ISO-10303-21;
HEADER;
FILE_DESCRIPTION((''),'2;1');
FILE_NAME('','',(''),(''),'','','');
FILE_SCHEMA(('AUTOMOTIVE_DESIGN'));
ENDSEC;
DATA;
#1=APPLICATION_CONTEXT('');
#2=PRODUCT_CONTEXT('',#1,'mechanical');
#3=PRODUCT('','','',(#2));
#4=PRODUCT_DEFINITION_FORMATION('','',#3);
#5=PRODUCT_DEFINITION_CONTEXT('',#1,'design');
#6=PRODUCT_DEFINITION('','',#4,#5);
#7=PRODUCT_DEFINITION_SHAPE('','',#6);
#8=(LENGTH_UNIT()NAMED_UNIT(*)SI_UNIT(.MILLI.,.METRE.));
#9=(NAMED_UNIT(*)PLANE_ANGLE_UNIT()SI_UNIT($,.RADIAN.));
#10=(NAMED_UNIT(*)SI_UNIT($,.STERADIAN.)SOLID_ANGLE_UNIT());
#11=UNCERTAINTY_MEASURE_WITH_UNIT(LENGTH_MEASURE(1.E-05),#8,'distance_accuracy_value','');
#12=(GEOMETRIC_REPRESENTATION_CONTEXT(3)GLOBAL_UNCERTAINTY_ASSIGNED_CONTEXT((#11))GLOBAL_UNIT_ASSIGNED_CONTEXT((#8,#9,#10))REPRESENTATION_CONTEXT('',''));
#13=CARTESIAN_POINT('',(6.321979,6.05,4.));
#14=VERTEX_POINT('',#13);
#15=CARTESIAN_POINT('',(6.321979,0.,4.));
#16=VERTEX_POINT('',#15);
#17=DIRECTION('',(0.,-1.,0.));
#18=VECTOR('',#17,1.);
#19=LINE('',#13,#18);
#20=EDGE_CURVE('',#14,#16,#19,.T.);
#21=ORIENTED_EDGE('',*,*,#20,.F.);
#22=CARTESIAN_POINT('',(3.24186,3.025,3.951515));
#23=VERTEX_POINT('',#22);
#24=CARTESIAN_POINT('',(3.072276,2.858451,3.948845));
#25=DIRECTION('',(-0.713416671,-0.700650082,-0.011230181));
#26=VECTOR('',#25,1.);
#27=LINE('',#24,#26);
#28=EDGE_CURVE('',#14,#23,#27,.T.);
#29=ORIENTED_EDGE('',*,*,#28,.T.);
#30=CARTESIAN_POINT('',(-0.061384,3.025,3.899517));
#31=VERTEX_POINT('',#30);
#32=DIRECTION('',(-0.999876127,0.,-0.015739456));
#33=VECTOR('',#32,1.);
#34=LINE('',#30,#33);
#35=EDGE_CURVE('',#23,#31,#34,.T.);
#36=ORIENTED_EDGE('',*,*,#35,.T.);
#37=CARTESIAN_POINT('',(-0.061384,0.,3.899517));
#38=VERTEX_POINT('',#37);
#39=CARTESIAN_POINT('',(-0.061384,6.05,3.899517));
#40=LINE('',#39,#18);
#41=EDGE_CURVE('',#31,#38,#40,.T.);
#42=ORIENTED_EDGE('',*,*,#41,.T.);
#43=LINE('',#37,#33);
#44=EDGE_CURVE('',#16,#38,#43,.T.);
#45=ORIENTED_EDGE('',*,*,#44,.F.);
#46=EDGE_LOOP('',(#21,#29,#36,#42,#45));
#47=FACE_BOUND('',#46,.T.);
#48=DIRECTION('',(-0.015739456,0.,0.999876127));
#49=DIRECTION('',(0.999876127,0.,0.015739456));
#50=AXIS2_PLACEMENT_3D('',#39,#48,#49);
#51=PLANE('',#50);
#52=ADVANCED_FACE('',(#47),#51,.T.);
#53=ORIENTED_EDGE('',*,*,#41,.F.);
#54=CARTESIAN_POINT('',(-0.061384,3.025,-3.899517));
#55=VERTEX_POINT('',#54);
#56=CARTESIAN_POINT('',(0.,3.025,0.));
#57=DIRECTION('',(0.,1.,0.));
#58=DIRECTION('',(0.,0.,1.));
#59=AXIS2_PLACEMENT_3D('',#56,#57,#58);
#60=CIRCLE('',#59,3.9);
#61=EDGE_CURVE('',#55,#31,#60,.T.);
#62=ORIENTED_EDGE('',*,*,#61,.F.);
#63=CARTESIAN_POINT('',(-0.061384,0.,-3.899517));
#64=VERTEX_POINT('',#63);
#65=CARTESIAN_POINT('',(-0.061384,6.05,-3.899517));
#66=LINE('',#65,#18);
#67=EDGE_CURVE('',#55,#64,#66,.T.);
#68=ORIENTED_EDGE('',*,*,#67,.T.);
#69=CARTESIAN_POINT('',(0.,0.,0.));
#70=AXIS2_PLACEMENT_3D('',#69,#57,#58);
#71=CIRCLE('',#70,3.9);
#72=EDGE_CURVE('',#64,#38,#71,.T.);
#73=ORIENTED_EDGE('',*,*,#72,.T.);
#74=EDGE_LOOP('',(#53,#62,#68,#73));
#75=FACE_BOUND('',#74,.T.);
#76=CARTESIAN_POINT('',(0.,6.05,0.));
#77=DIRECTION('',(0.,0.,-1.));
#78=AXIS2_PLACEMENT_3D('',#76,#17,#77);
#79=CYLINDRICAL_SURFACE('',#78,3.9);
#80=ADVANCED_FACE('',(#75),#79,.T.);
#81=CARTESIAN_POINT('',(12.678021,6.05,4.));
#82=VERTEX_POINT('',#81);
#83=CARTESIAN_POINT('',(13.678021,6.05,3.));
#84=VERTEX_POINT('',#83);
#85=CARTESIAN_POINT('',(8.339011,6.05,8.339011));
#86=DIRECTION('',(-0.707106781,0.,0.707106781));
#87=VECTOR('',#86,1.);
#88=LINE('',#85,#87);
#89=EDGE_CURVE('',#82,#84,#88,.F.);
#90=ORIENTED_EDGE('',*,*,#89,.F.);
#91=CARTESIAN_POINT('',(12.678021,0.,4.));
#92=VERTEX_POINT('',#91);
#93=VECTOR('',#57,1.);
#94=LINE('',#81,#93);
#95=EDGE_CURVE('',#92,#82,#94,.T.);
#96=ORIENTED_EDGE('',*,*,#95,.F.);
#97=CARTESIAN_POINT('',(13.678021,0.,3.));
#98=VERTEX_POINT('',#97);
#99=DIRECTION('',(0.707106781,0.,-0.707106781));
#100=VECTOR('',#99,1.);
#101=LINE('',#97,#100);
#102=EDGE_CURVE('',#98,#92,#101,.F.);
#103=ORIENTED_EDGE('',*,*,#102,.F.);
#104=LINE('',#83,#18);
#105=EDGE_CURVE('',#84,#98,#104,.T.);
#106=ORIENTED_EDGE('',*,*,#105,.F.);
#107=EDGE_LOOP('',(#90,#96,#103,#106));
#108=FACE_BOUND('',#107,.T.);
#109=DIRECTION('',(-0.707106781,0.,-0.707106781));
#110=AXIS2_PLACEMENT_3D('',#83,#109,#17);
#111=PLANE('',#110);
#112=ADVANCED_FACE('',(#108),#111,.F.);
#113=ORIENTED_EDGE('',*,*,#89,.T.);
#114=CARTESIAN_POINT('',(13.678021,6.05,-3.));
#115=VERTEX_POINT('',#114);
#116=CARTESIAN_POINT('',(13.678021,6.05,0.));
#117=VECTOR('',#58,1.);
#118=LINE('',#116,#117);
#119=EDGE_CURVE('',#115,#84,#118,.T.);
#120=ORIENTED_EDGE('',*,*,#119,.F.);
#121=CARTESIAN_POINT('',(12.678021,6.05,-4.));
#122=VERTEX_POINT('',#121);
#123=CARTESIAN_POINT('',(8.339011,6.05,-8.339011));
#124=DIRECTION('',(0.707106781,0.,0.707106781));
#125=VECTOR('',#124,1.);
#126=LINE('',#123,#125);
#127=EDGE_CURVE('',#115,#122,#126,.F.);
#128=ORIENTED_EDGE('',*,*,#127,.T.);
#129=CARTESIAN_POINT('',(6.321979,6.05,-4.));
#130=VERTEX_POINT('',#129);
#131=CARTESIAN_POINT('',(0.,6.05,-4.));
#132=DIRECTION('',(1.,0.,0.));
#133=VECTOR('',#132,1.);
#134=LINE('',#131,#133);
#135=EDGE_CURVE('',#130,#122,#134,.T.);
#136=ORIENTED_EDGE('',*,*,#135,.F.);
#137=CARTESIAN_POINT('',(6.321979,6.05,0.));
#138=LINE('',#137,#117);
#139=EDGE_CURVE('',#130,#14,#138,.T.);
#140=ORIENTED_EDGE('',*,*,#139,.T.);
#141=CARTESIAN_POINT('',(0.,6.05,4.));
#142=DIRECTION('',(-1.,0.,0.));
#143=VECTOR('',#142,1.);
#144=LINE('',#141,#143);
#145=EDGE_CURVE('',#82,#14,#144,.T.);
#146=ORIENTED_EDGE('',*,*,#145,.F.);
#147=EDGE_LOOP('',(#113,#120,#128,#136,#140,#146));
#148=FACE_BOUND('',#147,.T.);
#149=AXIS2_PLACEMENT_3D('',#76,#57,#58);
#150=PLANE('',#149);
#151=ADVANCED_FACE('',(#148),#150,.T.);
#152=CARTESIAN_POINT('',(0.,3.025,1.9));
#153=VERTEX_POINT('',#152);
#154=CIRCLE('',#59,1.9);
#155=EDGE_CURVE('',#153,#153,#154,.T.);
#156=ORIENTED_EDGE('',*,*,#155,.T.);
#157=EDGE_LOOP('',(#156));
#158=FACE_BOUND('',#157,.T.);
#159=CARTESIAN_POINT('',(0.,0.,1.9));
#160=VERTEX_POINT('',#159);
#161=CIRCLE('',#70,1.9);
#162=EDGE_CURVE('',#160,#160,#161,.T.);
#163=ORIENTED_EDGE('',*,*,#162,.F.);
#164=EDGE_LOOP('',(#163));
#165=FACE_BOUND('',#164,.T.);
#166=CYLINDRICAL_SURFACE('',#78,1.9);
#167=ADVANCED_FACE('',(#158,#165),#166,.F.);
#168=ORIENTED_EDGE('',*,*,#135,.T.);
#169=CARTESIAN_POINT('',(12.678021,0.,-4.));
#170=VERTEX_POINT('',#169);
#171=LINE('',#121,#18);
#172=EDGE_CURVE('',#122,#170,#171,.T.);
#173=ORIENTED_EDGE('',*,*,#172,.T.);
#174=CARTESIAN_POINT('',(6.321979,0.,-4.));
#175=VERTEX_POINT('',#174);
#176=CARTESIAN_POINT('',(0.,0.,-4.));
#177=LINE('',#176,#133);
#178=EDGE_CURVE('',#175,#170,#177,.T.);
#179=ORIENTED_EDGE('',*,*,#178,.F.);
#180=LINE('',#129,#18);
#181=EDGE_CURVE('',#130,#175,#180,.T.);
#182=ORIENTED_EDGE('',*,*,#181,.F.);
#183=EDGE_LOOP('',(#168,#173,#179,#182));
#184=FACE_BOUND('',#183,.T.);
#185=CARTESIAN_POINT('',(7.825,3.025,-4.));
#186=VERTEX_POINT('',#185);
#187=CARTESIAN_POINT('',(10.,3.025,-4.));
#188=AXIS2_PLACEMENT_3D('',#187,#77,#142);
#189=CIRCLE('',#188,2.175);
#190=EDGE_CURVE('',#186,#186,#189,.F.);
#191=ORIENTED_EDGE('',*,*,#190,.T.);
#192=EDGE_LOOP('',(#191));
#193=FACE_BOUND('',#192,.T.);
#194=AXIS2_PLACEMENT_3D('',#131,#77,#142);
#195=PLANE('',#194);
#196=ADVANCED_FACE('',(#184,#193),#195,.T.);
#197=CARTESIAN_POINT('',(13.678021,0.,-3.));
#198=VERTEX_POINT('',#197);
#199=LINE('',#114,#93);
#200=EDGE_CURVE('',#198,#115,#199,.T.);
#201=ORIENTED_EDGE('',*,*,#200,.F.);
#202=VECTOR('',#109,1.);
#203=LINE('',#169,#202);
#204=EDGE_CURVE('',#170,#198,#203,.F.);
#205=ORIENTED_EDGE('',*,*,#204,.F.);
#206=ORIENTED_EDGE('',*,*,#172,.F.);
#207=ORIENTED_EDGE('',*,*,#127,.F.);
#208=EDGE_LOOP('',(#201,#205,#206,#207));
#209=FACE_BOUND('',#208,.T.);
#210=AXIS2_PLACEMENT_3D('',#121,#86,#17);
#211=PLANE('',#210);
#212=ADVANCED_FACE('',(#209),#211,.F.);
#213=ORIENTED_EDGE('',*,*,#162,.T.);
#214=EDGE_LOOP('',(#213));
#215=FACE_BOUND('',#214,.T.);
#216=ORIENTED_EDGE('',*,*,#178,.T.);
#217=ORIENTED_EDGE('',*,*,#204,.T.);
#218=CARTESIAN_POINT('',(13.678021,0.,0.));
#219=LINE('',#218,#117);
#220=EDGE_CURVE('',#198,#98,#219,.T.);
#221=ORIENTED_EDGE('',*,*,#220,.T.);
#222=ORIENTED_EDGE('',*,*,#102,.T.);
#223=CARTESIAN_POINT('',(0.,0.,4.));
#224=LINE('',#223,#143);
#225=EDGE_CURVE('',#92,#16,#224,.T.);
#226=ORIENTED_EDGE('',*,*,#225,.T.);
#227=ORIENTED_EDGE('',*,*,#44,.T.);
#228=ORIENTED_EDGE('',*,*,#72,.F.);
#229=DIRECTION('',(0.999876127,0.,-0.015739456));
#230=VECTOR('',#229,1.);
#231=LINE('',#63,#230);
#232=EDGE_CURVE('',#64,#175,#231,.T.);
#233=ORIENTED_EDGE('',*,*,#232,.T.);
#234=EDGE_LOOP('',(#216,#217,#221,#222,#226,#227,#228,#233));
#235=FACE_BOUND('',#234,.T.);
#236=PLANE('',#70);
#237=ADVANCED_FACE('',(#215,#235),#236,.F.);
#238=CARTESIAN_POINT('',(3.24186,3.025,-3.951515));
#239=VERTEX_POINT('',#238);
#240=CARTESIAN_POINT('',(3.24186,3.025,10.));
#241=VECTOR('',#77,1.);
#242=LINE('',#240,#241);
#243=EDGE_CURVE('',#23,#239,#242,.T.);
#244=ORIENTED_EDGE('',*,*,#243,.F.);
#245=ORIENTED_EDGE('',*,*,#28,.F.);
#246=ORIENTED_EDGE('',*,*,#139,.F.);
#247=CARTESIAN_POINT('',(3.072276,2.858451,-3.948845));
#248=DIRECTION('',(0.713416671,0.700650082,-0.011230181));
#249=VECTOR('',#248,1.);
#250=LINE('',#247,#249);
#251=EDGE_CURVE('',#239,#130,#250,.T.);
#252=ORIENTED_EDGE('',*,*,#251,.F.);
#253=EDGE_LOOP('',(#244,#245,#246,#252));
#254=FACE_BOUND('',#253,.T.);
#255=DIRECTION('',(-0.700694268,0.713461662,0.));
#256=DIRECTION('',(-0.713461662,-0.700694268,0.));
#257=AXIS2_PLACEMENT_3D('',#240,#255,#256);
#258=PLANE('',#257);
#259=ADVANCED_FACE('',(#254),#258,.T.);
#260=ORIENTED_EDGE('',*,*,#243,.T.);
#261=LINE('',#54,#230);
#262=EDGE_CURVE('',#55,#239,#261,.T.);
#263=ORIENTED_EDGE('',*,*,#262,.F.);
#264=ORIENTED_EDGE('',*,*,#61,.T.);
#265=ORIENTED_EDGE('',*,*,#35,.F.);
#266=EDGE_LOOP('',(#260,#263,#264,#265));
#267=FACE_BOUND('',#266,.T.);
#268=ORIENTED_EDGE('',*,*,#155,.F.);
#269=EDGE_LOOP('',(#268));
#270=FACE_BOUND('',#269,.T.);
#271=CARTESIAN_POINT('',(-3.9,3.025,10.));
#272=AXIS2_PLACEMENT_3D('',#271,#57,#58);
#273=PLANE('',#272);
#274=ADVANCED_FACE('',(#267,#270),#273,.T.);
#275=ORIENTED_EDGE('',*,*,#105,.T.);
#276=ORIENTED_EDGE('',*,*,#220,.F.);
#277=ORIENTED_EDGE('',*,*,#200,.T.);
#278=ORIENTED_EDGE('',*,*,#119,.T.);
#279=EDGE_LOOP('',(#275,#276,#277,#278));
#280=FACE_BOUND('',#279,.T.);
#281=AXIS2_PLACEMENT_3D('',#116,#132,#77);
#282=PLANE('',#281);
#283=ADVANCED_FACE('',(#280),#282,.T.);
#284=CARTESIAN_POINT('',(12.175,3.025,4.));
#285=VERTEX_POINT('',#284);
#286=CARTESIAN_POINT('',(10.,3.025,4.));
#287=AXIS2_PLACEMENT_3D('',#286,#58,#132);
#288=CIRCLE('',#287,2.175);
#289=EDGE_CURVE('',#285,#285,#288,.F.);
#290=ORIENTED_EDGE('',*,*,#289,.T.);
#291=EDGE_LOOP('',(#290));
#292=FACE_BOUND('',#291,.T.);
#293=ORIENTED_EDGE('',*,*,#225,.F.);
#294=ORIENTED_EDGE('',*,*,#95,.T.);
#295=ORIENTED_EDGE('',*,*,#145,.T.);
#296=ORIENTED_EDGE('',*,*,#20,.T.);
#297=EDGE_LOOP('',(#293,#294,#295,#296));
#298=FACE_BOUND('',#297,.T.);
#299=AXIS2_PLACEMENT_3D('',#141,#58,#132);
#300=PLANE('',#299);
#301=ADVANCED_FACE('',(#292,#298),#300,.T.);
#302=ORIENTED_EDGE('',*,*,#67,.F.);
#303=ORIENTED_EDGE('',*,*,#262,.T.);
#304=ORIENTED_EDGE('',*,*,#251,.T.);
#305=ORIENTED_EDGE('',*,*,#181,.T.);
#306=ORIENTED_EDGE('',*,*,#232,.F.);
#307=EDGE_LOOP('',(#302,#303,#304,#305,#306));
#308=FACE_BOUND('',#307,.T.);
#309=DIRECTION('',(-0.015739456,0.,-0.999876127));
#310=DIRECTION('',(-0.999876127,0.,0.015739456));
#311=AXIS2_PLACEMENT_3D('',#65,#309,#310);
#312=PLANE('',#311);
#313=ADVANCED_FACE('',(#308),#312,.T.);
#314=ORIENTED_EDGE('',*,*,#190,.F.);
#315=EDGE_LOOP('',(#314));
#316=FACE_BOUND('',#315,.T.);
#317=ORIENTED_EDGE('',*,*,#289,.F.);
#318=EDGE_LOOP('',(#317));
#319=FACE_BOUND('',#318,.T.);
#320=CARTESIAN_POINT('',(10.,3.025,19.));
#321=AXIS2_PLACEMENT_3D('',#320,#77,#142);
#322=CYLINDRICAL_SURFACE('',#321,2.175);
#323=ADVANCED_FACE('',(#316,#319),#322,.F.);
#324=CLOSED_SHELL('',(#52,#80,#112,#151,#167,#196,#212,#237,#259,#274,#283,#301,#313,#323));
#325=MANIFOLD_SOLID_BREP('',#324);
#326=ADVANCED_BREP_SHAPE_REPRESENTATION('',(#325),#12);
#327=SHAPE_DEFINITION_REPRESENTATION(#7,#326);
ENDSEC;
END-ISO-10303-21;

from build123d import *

# Parameters (mm, degrees)
SKETCH1_R               = 1.9
BOSS_EXTRUDE1_DEPTH     = 6.05
CUT_EXTRUDE1_DEPTH      = 19
CUT_EXTRUDE1_DEPTH_BACK = 21
SKETCH2_R               = 2.175
CHAMFER2_SIZE           = 1
CUT_EXTRUDE2_DEPTH      = 10
CUT_EXTRUDE2_DEPTH_BACK = 10


with BuildPart() as part:
    # Sketch1 → Boss-Extrude1 (new body)
    with BuildSketch(Plane(origin=(0, 0, 0), x_dir=(1, 0, 0), z_dir=(0, 1, 0))):
        with BuildLine():
            Line((-0.061383878, 3.899516896), (6.321978872, 4))
            Line((6.321978872, 4), (13.678021128, 4))
            Line((13.678021128, 4), (13.678021128, -4))
            Line((13.678021128, -4), (6.321978872, -4))
            Line((6.321978872, -4), (-0.061383878, -3.899516896))
            ThreePointArc((-0.061383878, -3.899516896), (-3.9, 0), (-0.061383878, 3.899516896))
        make_face()
        with Locations(Location((0, 0, 0), (0, 0, 270))):
            Circle(SKETCH1_R, mode=Mode.SUBTRACT)
    extrude(amount=BOSS_EXTRUDE1_DEPTH)

    # Sketch2 → Cut-Extrude1 (cut, two sides: drawn at the far end of the back side and taken through both)
    with BuildSketch(Plane.XY.offset(-CUT_EXTRUDE1_DEPTH_BACK)):
        with Locations(Location((10, 3.025, 0), (0, 0, 180))):
            Circle(SKETCH2_R)
    extrude(amount=CUT_EXTRUDE1_DEPTH + CUT_EXTRUDE1_DEPTH_BACK, mode=Mode.SUBTRACT)

    # Chamfer2
    chamfer2_edges = [part.edges().sort_by_distance(p)[0] for p in [
        (13.678021128, 3.025, -4),
        (13.678021128, 3.025, 4),
    ]]
    chamfer(chamfer2_edges, length=CHAMFER2_SIZE)

    # Sketch3 → Cut-Extrude2 (cut, two sides: drawn at the far end of the back side and taken through both)
    with BuildSketch(Plane.XY.offset(-CUT_EXTRUDE2_DEPTH_BACK)):
        Polygon((-3.9, 3.025), (3.241860159, 3.025), (6.321978872, 6.05), (-3.9, 6.05), align=None)
    extrude(amount=CUT_EXTRUDE2_DEPTH + CUT_EXTRUDE2_DEPTH_BACK, mode=Mode.SUBTRACT)


solid = part.part
